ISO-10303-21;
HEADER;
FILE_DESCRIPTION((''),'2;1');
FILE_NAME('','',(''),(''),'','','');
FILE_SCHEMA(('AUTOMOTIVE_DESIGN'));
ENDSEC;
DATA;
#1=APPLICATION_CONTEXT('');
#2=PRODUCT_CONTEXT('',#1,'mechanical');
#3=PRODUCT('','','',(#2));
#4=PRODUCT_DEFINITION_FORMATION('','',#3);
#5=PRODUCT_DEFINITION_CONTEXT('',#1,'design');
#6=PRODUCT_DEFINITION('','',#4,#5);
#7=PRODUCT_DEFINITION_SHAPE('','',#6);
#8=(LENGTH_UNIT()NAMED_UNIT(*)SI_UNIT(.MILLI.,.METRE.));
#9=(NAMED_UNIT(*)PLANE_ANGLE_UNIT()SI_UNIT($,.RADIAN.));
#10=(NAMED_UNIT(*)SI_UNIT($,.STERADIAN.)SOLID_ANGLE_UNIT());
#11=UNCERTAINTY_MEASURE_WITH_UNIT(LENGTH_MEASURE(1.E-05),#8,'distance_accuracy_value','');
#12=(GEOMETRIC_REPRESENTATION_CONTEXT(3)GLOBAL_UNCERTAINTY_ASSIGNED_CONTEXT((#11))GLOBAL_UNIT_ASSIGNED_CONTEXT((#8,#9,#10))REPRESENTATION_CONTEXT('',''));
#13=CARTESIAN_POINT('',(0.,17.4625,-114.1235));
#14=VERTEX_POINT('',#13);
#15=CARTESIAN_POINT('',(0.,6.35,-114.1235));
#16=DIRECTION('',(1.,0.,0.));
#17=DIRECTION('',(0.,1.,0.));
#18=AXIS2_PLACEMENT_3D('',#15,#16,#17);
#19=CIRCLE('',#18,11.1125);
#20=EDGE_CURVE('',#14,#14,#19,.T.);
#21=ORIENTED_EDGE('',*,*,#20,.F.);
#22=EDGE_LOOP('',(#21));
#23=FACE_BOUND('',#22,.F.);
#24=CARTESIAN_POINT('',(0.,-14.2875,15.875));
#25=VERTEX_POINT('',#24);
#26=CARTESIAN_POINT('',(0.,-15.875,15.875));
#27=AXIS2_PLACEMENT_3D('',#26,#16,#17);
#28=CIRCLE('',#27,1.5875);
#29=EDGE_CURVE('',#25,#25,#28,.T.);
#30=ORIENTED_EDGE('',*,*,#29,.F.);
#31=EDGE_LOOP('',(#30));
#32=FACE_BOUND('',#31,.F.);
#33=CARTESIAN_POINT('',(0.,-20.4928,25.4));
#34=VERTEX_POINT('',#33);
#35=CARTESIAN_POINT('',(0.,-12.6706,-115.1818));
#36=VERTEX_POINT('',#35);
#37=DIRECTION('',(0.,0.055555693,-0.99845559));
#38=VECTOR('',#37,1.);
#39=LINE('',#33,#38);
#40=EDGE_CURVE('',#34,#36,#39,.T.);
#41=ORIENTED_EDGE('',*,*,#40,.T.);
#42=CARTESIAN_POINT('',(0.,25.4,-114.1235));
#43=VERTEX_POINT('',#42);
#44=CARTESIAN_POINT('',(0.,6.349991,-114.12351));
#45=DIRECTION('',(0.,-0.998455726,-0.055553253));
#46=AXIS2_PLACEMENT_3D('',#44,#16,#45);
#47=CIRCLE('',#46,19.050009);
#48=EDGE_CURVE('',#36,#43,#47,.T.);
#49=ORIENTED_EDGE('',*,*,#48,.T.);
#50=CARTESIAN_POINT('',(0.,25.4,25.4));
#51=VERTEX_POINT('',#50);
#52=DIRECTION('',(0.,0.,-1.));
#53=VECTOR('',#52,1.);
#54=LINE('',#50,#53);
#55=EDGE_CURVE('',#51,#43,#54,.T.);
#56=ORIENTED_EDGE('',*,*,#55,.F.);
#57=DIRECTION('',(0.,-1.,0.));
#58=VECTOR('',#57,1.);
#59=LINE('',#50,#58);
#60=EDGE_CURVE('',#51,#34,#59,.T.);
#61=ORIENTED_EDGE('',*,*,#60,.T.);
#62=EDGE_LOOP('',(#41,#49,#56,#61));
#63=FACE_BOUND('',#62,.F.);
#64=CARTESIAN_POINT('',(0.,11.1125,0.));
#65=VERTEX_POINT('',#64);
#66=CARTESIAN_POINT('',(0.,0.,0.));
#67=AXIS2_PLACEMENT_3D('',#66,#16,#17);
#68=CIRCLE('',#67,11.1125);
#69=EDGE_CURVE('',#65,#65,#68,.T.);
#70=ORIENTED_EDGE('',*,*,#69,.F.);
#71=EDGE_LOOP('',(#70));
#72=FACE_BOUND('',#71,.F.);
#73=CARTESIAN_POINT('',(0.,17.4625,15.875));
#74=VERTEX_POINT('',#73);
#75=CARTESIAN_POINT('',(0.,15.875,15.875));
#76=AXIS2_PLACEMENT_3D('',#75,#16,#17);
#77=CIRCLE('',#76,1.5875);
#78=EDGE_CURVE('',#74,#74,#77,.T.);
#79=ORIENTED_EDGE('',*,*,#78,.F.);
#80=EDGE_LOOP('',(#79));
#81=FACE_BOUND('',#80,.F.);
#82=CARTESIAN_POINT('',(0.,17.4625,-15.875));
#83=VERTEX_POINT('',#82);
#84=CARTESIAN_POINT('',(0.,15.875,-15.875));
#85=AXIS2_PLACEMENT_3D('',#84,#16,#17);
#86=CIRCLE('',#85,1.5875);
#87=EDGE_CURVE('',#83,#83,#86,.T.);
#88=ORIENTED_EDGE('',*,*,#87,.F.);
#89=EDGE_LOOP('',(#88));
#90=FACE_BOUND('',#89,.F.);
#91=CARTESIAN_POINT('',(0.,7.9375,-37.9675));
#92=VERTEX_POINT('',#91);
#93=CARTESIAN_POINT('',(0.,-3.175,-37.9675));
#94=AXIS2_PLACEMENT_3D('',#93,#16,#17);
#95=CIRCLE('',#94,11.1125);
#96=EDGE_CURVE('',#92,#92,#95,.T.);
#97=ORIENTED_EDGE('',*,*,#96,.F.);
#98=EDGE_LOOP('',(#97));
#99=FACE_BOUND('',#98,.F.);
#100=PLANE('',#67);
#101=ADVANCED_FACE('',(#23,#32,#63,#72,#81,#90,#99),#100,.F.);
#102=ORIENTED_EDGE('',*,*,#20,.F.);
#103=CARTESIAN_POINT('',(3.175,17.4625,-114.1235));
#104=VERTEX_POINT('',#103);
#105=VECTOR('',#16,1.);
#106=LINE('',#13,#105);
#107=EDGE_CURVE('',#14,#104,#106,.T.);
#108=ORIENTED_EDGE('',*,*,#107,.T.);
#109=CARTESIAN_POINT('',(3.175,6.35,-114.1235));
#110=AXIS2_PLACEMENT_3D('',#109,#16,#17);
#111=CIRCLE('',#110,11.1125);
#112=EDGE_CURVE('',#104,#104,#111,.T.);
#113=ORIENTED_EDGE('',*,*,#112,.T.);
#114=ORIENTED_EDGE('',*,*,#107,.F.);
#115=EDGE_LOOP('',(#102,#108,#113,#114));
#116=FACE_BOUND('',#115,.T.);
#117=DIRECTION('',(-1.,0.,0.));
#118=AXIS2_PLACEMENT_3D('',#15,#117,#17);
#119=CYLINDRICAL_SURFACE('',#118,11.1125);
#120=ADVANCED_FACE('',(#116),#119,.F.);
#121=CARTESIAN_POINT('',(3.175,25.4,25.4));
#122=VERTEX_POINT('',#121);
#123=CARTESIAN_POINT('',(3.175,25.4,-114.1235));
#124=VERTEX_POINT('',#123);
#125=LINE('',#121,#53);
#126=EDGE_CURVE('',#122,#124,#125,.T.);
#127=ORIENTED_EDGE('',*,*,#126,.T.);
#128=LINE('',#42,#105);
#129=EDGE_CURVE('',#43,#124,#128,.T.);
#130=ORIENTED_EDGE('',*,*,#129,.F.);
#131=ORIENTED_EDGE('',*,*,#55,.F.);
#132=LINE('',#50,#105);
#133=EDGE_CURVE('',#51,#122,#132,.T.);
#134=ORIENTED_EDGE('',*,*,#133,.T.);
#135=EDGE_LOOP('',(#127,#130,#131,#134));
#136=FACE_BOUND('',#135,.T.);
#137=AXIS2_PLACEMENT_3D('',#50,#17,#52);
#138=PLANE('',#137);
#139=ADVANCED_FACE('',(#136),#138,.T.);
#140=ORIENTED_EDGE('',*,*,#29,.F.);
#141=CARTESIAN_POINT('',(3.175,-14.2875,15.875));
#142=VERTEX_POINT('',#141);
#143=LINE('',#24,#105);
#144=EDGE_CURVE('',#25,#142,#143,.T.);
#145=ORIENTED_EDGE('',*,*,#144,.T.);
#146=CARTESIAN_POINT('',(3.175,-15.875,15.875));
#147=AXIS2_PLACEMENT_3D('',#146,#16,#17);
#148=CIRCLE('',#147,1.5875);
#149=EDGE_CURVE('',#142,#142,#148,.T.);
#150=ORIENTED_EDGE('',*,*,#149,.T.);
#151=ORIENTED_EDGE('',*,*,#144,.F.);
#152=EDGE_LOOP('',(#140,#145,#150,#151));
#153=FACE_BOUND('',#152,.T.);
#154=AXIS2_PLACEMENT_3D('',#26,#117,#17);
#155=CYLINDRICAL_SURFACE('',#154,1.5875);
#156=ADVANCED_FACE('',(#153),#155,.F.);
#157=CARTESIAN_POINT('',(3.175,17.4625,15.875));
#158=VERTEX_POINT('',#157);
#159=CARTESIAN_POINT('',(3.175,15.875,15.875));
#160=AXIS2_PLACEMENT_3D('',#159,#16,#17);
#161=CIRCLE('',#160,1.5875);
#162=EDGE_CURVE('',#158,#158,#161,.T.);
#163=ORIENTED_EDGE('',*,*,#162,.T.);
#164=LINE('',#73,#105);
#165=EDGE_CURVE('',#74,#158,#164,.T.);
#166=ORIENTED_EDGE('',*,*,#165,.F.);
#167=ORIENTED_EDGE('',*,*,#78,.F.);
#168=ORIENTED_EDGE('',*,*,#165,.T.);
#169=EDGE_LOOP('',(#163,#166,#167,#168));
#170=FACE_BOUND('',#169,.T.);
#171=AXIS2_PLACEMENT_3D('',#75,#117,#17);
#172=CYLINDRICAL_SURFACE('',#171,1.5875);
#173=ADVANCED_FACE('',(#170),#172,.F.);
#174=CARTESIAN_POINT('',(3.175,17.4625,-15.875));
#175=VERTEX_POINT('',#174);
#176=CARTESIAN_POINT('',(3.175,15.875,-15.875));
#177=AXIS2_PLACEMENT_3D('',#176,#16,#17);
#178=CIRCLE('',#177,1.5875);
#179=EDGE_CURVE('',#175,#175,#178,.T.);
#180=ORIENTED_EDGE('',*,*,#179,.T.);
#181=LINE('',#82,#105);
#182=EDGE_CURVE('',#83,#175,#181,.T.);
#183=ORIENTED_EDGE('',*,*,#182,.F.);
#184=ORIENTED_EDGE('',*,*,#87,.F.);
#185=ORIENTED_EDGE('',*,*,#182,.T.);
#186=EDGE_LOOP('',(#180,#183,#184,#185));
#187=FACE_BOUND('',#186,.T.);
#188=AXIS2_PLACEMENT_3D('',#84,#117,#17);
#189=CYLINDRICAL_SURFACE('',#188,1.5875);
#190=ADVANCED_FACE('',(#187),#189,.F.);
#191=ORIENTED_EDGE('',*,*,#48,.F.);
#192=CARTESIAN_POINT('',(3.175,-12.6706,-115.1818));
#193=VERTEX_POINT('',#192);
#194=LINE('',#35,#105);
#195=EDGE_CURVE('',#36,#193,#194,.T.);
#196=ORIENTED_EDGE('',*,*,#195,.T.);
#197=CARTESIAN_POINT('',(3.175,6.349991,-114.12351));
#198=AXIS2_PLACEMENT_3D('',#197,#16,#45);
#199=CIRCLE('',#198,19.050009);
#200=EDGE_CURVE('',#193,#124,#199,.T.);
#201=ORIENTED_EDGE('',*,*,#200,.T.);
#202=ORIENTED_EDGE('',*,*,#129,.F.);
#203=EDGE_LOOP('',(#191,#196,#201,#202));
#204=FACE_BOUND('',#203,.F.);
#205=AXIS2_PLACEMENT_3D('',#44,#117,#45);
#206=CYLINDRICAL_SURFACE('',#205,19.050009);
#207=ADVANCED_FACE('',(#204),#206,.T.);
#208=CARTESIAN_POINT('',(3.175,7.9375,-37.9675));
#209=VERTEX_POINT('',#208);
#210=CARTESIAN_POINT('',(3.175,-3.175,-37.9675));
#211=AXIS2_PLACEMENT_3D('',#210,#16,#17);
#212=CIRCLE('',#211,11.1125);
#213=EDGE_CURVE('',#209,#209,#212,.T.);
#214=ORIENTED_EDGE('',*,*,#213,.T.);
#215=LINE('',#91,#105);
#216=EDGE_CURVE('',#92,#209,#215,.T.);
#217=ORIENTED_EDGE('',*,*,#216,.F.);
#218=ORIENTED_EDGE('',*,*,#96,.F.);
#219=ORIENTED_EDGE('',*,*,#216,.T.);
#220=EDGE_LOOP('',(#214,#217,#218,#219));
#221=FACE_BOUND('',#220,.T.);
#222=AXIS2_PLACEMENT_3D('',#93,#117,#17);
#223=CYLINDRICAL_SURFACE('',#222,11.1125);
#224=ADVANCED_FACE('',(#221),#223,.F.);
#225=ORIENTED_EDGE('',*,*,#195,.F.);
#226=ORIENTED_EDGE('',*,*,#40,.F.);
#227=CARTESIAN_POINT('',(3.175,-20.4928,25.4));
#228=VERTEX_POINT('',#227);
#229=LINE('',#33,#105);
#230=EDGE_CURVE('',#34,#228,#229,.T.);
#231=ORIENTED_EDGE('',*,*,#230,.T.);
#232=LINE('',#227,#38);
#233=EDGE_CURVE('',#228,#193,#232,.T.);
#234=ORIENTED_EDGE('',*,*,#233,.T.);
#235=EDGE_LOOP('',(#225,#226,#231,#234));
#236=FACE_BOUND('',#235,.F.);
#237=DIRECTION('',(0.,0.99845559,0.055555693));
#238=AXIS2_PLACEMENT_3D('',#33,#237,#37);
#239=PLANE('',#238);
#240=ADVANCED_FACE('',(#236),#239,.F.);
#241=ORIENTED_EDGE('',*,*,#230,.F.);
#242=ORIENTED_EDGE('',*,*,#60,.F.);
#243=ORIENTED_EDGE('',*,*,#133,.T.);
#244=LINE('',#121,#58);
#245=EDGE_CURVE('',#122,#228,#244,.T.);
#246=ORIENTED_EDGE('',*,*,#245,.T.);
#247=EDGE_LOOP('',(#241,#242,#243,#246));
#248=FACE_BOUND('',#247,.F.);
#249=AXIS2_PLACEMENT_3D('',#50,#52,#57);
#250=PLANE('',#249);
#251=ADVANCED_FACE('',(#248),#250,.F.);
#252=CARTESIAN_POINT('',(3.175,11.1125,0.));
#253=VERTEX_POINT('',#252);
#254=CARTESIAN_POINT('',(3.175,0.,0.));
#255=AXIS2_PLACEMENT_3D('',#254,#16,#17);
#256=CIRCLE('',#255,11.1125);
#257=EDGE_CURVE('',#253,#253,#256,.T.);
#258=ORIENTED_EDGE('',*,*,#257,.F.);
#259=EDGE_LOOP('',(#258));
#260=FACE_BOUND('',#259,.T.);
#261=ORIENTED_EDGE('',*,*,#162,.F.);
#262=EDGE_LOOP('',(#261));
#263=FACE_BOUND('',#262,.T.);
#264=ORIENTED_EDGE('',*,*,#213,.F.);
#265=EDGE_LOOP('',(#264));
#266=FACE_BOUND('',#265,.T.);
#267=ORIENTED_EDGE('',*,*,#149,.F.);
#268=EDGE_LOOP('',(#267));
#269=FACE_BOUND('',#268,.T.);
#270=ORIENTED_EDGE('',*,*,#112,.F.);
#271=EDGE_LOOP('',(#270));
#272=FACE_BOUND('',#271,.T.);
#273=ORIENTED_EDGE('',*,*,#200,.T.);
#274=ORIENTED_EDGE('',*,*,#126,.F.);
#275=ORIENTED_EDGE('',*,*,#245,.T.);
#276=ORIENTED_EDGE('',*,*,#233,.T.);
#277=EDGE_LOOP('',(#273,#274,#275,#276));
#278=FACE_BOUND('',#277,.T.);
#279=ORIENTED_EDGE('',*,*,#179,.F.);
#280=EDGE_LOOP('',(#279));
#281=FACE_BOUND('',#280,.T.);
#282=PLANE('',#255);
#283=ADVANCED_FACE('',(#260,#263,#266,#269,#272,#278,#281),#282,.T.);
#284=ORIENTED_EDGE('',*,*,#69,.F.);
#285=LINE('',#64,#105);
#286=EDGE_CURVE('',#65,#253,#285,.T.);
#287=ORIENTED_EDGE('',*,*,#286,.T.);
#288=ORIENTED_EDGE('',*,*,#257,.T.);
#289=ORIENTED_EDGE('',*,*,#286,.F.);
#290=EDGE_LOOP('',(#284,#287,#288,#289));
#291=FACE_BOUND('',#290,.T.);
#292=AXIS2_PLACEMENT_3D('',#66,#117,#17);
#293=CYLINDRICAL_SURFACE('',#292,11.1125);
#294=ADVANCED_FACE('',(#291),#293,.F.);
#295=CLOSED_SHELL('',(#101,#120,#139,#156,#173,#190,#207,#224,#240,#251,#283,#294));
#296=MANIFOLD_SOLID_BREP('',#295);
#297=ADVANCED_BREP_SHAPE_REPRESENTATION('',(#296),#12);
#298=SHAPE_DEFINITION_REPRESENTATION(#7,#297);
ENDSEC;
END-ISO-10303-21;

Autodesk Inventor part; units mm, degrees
ref_plane "YZ Plane" through (0, 0, 0) normal (1, 0, 0) x (0, 1, 0)
ref_plane "XZ Plane" through (0, 0, 0) normal (0, 1, 0) x (-1, 0, 0)
ref_plane "XY Plane" through (0, 0, 0) normal (0, 0, 1) x (1, 0, 0)
sketch "Sketch1" plane through (0, 0, 0) normal (1, 0, 0) x (0, 1, 0)
  line L0 (25.4, 25.4) -> (25.4, -114.1235)
  arc A0 (-12.6706, -115.1818) -> (25.4, -114.1235) centre (6.35, -114.1235) ccw
  line L1 (-20.4928, 25.4) -> (-12.6706, -115.1818)
  circle A1 centre (0, 0) radius 11.1125
  circle A2 centre (6.35, -114.1235) radius 11.1125
  line L2 (6.35, -114.1235) -> (0, 0) construction
  line L3 (25.4, 25.4) -> (-20.4928, 25.4)
  circle A3 centre (-3.175, -37.9675) radius 11.1125
  circle A4 centre (6.35, -114.1235) radius 9.525 construction
  circle A5 centre (6.35, -114.1235) radius 15.875 construction
  line L4 (15.875, -15.875) -> (15.875, 15.875) construction
  line L5 (15.875, 15.875) -> (-15.875, 15.875) construction
  circle A6 centre (15.875, 15.875) radius 1.5875
  circle A7 centre (-15.875, 15.875) radius 1.5875
  circle A8 centre (15.875, -15.875) radius 1.5875
  point P0 (6.8794, -133.1661)
  dimension "d1" = 114.3
  dimension "d2" = 6.35
  dimension "d3" = 22.225
  dimension "d9" = 25.4
  dimension "d10" = 25.4
  dimension "d11" = 19.05
  dimension "d12" = 38.1
  dimension "d13" = 3.175
  dimension "d14" = 19.05
  dimension "d15" = 6.35
  dimension "d25" = 3.175
  dimension "d26" = 9.525
  dimension "d27" = 9.525
  dimension "d28" = 31.75
extrude "Extrusion1" add sketch "Sketch1" along normal blind 3.175
properties part number "Hopper pully plate"
